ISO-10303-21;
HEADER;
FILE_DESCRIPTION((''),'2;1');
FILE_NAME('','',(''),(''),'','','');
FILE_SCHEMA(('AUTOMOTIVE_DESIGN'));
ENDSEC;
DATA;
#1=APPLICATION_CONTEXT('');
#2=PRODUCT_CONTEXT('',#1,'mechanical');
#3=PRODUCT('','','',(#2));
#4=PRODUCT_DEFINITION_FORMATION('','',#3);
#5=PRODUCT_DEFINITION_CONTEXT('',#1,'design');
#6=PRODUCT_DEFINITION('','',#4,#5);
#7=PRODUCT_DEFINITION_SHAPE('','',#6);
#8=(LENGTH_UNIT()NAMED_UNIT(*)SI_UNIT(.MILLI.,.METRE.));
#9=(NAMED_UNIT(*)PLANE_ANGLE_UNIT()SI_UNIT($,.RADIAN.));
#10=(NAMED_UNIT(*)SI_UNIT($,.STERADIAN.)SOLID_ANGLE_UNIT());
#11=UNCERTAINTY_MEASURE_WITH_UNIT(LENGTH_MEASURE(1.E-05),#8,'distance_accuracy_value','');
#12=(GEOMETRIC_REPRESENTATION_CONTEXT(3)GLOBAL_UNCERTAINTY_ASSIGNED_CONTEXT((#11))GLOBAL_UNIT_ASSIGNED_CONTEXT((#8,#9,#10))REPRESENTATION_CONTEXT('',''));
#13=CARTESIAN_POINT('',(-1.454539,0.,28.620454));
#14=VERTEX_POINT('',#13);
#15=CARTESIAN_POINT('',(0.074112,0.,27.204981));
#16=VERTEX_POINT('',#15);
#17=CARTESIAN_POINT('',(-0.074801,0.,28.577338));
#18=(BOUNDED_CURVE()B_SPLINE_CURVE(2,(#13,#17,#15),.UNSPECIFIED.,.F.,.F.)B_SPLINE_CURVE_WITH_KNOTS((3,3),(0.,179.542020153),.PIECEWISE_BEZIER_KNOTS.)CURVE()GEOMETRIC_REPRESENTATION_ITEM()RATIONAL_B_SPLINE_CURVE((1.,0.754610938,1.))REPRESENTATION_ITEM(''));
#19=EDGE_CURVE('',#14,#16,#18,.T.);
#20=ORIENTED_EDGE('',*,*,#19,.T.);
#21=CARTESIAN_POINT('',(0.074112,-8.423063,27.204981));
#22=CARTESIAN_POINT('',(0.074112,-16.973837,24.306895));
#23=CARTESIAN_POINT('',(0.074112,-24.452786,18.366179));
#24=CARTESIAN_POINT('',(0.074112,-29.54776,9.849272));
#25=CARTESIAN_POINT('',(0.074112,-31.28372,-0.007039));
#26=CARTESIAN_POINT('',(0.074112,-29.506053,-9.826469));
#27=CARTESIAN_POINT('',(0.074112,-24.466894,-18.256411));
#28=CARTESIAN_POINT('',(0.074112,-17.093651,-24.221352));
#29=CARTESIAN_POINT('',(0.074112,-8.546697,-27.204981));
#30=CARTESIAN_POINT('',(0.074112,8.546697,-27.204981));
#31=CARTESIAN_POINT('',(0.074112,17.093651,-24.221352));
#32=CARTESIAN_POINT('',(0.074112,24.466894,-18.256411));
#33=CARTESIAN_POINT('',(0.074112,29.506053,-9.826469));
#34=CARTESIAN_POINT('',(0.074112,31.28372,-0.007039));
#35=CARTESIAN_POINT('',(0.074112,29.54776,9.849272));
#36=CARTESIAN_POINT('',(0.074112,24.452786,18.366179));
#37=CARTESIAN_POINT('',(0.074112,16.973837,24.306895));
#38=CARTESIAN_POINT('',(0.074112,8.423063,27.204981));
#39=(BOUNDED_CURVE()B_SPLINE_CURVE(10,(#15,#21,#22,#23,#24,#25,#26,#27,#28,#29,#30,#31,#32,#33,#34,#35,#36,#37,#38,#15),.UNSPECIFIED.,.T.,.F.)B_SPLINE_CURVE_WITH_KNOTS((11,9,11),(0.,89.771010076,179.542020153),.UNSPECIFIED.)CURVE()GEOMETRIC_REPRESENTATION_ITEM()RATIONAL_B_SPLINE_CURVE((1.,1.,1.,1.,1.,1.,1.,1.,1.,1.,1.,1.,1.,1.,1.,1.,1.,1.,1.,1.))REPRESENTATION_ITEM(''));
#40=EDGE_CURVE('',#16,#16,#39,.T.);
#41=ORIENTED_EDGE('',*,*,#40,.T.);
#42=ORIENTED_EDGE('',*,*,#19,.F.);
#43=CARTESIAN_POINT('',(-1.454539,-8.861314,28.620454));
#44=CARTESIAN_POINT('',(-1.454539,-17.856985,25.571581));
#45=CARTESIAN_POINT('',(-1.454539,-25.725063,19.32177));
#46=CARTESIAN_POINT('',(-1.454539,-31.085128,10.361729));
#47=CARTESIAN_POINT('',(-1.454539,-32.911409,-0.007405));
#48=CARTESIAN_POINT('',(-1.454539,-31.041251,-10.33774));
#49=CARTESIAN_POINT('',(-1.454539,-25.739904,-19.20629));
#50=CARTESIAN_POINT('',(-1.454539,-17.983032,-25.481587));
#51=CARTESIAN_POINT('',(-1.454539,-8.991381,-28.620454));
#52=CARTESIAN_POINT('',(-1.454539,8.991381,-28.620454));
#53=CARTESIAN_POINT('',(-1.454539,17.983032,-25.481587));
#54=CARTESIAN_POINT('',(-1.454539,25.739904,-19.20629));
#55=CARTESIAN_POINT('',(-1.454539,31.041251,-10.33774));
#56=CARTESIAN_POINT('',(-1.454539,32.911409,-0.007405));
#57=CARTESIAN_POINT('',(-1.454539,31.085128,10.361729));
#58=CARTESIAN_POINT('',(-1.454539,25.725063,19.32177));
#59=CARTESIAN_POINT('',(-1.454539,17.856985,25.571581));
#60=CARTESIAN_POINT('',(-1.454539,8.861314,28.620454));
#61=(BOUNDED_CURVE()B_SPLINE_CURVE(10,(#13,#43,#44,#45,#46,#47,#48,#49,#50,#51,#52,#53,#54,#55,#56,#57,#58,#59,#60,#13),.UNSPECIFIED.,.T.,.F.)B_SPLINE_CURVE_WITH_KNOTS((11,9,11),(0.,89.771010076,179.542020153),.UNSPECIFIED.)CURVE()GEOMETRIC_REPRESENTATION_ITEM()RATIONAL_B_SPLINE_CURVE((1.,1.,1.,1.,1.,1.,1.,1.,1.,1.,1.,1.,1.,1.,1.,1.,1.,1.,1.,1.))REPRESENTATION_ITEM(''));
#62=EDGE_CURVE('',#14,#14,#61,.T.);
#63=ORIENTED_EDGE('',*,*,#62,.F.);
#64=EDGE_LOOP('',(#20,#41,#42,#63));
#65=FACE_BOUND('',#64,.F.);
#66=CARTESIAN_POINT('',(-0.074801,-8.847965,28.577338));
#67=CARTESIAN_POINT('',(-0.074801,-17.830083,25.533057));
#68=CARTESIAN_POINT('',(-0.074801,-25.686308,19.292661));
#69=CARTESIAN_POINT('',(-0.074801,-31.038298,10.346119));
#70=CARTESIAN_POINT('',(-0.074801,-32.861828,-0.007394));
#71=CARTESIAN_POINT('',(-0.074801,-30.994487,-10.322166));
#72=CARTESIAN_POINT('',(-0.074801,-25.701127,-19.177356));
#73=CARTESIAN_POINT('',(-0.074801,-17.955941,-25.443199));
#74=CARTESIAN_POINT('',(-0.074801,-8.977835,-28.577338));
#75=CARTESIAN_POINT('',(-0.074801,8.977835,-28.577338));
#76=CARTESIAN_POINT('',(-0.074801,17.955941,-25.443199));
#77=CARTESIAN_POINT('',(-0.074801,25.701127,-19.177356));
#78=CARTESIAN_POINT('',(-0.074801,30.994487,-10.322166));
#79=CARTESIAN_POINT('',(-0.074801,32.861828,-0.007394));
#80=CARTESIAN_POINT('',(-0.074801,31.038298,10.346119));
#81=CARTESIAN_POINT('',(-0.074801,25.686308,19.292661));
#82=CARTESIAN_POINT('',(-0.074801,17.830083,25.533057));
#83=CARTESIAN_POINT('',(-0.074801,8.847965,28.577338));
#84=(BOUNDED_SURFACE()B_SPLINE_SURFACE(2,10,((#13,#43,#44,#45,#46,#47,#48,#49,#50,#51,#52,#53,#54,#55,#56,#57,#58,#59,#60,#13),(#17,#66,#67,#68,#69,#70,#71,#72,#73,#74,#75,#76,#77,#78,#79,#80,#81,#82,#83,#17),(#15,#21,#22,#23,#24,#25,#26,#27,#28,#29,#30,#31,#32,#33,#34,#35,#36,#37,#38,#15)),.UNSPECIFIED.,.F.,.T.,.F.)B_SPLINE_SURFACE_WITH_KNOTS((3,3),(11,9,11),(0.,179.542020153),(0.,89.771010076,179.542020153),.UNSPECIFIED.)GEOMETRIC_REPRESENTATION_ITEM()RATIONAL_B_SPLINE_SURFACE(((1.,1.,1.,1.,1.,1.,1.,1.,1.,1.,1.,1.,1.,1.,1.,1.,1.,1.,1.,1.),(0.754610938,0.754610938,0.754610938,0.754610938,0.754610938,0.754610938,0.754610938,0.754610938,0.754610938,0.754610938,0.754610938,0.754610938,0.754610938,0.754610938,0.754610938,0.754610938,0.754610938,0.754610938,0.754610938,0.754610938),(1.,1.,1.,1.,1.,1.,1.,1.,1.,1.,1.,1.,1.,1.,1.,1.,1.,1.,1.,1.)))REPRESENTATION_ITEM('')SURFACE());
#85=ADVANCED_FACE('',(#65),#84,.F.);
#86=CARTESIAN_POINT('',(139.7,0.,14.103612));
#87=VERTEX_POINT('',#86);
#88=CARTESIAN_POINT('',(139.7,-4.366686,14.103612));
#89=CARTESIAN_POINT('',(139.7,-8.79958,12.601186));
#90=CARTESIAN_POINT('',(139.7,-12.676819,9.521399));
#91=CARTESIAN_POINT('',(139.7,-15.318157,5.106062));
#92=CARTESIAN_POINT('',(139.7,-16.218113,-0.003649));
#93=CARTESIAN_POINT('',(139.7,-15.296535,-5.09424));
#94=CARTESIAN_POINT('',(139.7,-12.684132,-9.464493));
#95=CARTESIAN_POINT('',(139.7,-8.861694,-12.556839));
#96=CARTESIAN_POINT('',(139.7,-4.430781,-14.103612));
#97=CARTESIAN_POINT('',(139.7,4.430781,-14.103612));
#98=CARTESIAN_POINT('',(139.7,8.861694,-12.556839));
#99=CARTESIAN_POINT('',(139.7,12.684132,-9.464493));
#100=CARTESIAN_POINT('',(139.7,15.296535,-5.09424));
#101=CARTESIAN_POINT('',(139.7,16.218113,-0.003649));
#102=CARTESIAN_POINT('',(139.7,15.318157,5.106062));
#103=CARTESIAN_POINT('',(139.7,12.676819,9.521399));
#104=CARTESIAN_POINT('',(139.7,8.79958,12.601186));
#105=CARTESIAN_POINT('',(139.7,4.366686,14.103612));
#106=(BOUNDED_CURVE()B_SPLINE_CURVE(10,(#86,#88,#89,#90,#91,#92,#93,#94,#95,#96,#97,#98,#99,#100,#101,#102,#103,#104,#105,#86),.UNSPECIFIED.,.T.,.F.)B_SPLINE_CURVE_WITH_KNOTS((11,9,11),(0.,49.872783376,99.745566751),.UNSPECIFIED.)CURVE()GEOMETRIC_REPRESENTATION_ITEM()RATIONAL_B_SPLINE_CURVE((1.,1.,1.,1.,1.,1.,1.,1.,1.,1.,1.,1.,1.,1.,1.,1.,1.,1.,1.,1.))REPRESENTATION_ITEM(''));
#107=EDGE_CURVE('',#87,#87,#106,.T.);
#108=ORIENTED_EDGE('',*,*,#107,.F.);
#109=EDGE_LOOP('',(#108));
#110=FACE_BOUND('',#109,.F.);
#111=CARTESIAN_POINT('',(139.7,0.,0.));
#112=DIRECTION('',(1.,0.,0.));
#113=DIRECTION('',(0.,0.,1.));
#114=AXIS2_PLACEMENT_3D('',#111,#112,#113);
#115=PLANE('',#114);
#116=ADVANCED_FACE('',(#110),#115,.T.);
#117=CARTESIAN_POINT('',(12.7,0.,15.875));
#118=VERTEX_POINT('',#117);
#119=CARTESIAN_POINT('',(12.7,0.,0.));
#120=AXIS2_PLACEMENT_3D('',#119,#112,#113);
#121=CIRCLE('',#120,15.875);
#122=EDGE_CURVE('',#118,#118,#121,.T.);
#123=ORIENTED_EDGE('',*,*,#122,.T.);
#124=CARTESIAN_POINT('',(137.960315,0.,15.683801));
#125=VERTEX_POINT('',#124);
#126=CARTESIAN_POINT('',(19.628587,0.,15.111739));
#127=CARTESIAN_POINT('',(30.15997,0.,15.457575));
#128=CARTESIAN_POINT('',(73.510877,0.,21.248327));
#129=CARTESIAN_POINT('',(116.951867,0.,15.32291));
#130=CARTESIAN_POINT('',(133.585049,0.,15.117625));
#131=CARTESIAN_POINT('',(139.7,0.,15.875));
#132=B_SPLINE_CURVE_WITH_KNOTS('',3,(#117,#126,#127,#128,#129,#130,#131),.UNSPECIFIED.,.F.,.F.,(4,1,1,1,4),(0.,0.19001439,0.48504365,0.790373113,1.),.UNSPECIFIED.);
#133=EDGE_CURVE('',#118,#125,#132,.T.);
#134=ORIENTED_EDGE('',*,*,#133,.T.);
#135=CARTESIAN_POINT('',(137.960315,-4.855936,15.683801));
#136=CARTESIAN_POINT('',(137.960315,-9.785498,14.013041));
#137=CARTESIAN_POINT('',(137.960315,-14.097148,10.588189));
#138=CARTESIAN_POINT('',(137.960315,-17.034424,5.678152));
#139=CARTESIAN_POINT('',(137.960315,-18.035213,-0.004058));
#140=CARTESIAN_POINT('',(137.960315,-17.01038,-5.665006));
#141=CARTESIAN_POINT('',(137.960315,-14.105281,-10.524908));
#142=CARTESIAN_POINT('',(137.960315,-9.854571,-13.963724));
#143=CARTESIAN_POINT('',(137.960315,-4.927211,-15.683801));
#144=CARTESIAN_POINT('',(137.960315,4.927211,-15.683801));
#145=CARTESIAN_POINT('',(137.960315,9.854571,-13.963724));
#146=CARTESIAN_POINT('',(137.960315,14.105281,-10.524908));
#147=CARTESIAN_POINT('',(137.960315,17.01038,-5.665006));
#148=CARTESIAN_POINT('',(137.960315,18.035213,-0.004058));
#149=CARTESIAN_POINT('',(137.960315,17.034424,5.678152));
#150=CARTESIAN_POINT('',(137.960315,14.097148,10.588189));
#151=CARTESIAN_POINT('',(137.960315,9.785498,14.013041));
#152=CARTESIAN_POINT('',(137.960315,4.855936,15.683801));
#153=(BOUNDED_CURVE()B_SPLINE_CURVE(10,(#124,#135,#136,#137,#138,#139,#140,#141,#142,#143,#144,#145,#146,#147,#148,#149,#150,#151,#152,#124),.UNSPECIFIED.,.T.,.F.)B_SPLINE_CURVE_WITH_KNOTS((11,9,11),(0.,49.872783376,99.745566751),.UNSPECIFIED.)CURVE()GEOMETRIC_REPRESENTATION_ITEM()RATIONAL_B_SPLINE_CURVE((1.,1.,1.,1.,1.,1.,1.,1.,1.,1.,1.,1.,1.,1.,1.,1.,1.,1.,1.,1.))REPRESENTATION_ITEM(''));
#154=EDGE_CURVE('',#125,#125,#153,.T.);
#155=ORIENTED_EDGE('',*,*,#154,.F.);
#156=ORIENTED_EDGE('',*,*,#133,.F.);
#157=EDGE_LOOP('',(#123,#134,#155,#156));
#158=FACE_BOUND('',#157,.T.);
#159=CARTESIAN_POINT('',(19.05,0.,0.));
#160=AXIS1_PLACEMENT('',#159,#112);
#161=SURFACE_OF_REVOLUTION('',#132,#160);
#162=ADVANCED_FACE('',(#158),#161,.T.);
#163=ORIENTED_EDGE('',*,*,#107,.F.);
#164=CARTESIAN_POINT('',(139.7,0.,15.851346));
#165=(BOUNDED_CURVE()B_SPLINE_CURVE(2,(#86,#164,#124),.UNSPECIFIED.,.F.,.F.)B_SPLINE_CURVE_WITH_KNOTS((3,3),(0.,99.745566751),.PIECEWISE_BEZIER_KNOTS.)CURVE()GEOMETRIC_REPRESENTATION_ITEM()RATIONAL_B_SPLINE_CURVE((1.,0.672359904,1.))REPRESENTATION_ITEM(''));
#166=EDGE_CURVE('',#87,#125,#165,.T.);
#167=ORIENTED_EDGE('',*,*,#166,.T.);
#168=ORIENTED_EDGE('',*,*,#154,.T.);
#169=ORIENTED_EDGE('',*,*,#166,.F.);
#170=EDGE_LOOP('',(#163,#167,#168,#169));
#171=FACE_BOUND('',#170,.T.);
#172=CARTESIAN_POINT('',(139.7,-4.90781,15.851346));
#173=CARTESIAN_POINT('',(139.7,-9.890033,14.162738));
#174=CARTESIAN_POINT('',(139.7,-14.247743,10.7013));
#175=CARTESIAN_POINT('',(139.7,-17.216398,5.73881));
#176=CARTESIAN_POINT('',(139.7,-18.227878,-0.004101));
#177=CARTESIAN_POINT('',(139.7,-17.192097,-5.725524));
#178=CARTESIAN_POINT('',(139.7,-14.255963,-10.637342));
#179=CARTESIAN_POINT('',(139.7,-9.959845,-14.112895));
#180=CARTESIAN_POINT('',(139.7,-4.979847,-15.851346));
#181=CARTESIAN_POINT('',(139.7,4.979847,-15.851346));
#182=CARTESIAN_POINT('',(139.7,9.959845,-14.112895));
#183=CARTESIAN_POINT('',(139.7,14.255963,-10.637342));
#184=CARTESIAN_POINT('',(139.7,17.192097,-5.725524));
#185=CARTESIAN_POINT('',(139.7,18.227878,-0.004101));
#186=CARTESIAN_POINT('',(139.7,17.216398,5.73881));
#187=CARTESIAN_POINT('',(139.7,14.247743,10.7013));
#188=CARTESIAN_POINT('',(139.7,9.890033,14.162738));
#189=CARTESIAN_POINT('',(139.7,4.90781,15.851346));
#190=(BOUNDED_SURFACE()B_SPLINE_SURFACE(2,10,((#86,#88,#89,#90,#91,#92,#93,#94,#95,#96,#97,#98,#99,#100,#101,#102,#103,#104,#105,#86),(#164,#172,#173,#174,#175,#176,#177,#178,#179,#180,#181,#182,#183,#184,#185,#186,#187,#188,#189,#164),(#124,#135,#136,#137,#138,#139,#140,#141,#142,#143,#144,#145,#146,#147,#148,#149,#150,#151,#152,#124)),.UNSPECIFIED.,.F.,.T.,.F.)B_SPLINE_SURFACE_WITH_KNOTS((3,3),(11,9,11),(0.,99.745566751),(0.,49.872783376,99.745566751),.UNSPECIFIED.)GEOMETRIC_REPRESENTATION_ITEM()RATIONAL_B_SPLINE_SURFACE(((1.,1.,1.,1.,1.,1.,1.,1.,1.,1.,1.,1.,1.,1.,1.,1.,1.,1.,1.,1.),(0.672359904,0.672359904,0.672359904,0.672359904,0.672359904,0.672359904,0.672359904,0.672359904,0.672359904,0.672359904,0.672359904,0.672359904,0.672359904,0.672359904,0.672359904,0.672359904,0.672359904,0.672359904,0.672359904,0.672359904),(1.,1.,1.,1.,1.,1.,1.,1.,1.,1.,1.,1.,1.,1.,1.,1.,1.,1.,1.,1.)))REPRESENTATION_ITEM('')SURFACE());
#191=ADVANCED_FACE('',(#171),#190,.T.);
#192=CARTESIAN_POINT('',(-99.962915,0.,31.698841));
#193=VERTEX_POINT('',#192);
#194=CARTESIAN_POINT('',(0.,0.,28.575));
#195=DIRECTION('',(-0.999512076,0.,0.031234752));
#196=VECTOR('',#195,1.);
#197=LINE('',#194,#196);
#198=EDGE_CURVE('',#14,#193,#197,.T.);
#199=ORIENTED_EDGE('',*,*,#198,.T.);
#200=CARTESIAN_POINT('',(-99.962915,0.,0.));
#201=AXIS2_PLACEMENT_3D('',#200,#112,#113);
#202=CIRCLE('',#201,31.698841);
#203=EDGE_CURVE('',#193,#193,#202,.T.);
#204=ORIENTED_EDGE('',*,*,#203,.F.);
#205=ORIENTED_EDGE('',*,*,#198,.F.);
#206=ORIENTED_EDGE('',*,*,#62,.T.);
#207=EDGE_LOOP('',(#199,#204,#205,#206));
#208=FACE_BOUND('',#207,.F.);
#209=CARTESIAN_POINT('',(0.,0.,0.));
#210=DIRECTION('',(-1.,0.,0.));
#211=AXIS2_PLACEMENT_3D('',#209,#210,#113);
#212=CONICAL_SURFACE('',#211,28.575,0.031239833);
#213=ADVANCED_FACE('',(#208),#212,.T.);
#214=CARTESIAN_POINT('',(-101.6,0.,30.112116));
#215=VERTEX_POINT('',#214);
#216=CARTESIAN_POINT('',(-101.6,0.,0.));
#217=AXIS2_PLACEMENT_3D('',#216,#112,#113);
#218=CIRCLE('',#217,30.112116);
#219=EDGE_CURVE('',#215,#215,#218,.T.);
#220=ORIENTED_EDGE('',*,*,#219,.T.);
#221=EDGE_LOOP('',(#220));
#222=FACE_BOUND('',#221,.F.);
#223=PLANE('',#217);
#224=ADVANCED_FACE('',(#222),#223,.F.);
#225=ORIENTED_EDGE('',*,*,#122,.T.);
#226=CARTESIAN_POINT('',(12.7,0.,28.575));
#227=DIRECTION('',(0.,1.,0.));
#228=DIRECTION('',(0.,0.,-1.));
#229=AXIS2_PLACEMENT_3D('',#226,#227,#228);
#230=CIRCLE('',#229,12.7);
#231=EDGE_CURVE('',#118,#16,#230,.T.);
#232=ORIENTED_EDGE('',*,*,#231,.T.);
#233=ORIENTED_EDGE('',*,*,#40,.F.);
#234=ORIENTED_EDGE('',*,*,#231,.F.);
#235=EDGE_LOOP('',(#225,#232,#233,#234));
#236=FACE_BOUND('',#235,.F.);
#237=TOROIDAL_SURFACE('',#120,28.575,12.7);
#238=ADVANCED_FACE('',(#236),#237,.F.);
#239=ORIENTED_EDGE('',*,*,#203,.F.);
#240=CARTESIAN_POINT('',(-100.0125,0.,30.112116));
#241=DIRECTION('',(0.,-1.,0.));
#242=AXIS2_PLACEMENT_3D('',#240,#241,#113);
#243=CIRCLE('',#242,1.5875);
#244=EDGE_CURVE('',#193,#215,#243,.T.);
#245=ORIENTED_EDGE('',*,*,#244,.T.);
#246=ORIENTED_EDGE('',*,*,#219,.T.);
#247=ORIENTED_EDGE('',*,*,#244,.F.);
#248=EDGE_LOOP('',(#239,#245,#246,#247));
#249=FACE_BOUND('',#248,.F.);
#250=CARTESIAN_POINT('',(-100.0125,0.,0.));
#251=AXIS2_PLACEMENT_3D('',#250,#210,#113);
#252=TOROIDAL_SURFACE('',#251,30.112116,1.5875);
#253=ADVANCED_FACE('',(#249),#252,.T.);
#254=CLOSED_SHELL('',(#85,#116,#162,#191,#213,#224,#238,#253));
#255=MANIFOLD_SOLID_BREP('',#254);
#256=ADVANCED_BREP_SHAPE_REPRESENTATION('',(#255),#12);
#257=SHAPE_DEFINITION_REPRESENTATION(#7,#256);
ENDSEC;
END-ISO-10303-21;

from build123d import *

# Parameters (mm, degrees)
F2_R = 1.5875


with BuildPart() as f1:
    # F0 (on Front) → F1 (revolve)
    with BuildSketch(Plane.XZ):
        with BuildLine():
            Line((0, 28.575), (-101.6, 31.75))
            Line((-101.6, 31.75), (-101.6, 0))
            Line((-101.6, 0), (139.7, 0))
            Line((139.7, 0), (139.7, 15.875))
            add(Edge.make_bspline(
                [(12.7, 15.875), (19.6285866527, 15.1117390773), (30.15997038, 15.4575746316), (73.5108770545, 21.2483273943), (116.9518666564, 15.3229099171), (133.585049313, 15.1176250373), (139.7, 15.875)],
                knots=[0, 0, 0, 0, 0.1900143896, 0.4850436502, 0.7903731133, 1, 1, 1, 1], degree=3))
            ThreePointArc((12.7, 15.875), (3.7197438789, 19.5947438789), (0, 28.575))
        make_face()
    revolve(axis=Axis((19.05, 0, 0), (1, 0, 0)))

    # F2
    f2_edges = [f1.edges().sort_by_distance(p)[0] for p in [
        (-101.6, 0, -31.75),
        (0, 0, -28.575),
        (139.7, 0, -15.875),
    ]]
    fillet(f2_edges, radius=F2_R)


solid = f1.part
